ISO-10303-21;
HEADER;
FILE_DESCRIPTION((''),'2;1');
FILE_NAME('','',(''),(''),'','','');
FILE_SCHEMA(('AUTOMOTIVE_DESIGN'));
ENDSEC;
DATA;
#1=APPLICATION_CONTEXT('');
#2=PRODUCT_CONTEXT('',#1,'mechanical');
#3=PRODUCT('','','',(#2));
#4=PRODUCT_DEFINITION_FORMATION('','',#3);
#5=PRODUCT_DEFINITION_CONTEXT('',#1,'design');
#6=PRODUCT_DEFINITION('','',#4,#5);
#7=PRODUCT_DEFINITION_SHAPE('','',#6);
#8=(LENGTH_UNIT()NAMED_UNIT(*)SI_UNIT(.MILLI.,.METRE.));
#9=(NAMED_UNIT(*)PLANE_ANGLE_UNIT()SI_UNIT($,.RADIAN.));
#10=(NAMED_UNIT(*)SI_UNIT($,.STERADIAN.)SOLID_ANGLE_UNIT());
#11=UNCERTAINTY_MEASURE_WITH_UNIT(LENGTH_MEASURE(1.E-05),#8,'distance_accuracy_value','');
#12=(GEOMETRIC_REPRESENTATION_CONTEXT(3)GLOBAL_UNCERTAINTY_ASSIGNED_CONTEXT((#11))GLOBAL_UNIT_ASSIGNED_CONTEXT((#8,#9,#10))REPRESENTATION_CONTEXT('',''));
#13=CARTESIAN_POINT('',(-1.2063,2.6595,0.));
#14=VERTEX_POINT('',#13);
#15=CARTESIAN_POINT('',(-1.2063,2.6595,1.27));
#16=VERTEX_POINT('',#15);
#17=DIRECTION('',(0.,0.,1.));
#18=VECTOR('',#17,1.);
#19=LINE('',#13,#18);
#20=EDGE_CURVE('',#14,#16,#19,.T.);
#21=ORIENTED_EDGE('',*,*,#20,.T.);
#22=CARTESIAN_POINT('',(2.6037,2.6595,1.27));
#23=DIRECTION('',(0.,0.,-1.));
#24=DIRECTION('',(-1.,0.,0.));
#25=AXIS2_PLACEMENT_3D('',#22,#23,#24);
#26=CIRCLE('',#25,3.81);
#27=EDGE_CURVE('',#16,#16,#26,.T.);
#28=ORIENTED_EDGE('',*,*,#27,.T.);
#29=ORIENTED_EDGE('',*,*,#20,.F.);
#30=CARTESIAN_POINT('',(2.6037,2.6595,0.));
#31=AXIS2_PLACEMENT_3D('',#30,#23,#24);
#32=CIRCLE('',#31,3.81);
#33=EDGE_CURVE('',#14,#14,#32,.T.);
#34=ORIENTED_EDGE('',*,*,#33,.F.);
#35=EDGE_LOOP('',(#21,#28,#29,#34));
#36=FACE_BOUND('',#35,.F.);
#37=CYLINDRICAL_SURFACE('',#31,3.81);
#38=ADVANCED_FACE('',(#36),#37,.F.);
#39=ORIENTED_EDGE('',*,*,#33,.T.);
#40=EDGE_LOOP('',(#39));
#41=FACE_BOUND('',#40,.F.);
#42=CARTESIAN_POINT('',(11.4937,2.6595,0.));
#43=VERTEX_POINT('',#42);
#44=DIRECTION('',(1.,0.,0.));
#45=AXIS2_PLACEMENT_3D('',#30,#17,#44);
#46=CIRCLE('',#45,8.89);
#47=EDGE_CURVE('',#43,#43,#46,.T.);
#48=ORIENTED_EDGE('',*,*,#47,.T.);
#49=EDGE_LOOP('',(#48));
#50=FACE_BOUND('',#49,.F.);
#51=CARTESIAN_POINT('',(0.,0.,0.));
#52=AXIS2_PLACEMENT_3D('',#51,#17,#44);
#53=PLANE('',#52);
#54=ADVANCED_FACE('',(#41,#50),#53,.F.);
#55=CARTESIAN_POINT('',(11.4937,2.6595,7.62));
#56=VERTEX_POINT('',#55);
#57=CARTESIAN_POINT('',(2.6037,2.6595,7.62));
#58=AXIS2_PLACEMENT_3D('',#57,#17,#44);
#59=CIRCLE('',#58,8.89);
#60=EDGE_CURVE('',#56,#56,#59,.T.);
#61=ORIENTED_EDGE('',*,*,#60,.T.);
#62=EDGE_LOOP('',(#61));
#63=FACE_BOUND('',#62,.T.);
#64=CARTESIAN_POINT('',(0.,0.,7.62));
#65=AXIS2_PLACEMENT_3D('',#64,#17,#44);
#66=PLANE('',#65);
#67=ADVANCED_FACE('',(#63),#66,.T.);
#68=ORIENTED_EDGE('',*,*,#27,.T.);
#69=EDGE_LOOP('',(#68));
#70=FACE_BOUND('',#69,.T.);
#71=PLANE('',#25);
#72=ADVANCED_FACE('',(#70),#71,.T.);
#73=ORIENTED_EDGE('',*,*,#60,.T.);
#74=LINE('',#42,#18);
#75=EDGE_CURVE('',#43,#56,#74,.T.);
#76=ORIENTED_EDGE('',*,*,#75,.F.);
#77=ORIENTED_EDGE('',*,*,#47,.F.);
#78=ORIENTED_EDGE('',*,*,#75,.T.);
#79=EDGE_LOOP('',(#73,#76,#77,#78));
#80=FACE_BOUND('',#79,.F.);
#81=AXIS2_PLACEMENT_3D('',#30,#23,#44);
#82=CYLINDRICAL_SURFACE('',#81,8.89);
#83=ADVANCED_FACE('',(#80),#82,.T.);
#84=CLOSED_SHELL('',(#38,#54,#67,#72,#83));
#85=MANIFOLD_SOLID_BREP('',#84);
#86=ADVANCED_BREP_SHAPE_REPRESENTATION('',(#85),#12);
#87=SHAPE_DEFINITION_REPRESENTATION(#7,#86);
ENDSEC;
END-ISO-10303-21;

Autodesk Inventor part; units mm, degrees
ref_plane "YZ Plane" through (0, 0, 0) normal (1, 0, 0) x (0, 1, 0)
ref_plane "XZ Plane" through (0, 0, 0) normal (0, 1, 0) x (-1, 0, 0)
ref_plane "XY Plane" through (0, 0, 0) normal (0, 0, 1) x (1, 0, 0)
sketch "Sketch1" plane through (0, 0, 0) normal (0, 0, 1) x (1, 0, 0)
  circle A0 centre (2.6037, 2.6595) radius 8.89
  dimension "d0" = 17.78
extrude "Extrusion1" add sketch "Sketch1" along normal blind 7.62
sketch "Sketch2" plane through (2.6037, 2.6595, 0) normal (0, 0, -1) x (-1, 0, 0)
  circle A0 centre (0, 0) radius 3.81
  dimension "d3" = 7.62
extrude "Extrusion2" cut sketch "Sketch2" against normal blind 1.27
properties part number "connectors"
